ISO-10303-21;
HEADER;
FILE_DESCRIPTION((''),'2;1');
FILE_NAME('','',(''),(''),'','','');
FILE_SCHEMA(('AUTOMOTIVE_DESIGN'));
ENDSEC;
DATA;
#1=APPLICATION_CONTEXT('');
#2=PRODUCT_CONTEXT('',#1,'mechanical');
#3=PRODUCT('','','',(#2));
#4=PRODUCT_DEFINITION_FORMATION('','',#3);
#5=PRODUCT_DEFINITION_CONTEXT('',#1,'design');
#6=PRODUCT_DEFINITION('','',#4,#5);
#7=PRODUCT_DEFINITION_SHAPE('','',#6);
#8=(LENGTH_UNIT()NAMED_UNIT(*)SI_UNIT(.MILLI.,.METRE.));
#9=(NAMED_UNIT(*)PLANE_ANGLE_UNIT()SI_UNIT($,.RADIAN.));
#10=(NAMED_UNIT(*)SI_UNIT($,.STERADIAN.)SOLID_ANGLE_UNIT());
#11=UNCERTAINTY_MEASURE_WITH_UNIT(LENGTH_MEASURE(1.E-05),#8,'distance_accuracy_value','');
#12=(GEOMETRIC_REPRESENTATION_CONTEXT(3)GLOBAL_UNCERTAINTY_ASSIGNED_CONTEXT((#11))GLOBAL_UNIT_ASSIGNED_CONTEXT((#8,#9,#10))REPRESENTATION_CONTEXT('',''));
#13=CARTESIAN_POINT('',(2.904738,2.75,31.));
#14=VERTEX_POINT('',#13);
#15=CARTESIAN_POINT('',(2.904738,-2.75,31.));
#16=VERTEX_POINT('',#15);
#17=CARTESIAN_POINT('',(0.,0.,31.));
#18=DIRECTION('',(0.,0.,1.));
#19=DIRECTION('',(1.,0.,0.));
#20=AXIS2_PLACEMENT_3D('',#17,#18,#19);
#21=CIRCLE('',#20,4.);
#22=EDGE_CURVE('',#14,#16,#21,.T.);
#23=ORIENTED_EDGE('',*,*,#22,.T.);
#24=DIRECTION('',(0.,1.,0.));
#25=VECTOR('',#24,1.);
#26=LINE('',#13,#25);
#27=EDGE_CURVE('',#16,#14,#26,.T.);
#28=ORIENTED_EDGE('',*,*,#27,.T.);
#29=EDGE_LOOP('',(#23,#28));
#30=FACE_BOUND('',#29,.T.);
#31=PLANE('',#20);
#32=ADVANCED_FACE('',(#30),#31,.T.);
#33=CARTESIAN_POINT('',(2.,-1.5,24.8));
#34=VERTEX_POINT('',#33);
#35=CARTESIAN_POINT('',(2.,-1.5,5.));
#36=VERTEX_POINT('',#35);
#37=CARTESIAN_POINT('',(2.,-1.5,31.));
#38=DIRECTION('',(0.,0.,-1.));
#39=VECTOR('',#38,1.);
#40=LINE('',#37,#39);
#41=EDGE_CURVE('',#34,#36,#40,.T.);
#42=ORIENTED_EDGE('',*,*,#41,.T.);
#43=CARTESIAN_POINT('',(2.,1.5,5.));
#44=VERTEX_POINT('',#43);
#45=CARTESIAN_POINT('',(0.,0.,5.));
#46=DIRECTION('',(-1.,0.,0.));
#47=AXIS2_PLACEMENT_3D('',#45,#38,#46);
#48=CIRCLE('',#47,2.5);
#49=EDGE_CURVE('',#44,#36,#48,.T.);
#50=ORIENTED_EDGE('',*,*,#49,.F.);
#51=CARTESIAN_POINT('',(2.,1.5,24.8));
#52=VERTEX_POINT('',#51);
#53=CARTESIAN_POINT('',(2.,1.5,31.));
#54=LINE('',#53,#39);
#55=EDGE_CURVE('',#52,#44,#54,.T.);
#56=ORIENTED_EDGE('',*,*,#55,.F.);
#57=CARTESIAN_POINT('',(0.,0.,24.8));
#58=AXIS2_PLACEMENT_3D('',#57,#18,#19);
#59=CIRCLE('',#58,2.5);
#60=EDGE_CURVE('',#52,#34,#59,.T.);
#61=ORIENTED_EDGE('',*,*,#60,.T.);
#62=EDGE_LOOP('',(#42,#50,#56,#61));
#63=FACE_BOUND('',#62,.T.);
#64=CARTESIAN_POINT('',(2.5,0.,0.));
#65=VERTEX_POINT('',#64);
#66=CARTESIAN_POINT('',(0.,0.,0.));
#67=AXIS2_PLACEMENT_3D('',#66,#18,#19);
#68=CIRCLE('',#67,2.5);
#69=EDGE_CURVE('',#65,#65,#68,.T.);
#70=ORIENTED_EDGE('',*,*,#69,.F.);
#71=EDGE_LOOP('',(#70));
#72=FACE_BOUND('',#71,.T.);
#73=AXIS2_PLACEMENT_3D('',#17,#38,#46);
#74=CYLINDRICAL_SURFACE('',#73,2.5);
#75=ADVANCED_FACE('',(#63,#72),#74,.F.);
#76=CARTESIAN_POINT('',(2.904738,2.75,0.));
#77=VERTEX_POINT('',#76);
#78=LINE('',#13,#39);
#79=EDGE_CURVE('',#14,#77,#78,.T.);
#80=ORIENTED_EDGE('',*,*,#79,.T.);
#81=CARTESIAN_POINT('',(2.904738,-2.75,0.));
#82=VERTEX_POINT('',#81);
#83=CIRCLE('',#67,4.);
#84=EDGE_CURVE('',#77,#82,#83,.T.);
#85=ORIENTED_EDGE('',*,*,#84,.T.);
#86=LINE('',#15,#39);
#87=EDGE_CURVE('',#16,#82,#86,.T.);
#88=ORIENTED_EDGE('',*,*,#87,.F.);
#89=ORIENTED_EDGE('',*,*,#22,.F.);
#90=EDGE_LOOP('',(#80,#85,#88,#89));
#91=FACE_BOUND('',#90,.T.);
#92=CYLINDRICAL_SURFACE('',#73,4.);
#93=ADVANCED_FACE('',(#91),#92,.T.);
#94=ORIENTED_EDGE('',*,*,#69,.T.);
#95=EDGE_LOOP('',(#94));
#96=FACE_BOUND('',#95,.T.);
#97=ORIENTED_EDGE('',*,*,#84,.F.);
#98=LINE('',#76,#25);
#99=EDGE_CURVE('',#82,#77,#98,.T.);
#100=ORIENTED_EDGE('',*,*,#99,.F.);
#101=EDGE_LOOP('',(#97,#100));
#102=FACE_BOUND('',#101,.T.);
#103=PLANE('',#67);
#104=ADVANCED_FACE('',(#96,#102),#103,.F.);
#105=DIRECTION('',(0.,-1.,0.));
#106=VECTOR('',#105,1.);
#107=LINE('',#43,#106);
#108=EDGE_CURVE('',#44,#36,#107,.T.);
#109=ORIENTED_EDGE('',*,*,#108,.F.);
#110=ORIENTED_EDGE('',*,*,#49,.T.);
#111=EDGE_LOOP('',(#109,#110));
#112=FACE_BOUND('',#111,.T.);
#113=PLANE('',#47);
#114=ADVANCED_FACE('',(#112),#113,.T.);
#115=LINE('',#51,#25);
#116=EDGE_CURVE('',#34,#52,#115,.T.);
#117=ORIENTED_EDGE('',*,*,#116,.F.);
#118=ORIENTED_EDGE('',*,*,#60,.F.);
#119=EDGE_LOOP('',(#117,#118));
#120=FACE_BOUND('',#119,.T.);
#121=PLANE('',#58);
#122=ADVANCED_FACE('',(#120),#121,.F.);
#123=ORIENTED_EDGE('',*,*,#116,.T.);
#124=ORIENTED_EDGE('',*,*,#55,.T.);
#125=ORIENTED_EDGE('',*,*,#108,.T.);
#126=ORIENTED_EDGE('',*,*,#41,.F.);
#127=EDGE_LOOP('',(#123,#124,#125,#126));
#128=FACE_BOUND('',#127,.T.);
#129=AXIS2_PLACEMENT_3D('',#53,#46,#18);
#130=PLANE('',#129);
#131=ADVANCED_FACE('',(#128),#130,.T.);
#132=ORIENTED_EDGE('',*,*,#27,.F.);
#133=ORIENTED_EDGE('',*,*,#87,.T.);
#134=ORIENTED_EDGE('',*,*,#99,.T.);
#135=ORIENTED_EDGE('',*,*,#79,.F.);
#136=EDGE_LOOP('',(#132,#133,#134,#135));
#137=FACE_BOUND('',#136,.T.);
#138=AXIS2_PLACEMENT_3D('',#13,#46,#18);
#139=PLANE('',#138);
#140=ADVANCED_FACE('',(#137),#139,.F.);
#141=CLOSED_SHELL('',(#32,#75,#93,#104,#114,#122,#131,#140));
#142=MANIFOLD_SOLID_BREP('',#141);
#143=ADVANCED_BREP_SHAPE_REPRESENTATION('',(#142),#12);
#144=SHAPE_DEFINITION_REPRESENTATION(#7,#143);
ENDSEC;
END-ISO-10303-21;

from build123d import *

# Parameters (mm, degrees)
SALIENTE_EXTRUIR1_DEPTH = 31
SALIENTE_EXTRUIR2_START = -6.2
SALIENTE_EXTRUIR2_DEPTH = 6.2
CROQUIS5_R              = 2.5
CORTAR_EXTRUIR1_DEPTH   = 5


with BuildPart() as part:
    # Croquis1 → Saliente-Extruir1 (new body)
    with BuildSketch(Plane.XY):
        with BuildLine():
            Line((2.90473751, 2.75), (2.90473751, -2.75))
            ThreePointArc((2.90473751, -2.75), (-4, 0), (2.90473751, 2.75))
        make_face()
        with BuildLine():
            Line((2, 1.5), (2, -1.5))
            ThreePointArc((2, -1.5), (-2.5, 0), (2, 1.5))
        make_face(mode=Mode.SUBTRACT)
    extrude(amount=SALIENTE_EXTRUIR1_DEPTH)

    # Croquis2 → Saliente-Extruir2 (add)
    with BuildSketch(Plane.XY.offset(31).offset(SALIENTE_EXTRUIR2_START)):
        with BuildLine():
            Line((2.90473751, 2.75), (2.90473751, -2.75))
            ThreePointArc((2.90473751, -2.75), (-4, 0), (2.90473751, 2.75))
        make_face()
    extrude(amount=SALIENTE_EXTRUIR2_DEPTH)

    # Croquis5 → Cortar-Extruir1 (cut)
    with BuildSketch(Plane(origin=(0, 0, 0), x_dir=(-1, 0, 0), z_dir=(0, 0, -1))):
        with Locations(Location((0, 0, 0), (0, 0, 216.869897646))):
            Circle(CROQUIS5_R)
    extrude(amount=-CORTAR_EXTRUIR1_DEPTH, mode=Mode.SUBTRACT)


solid = part.part
